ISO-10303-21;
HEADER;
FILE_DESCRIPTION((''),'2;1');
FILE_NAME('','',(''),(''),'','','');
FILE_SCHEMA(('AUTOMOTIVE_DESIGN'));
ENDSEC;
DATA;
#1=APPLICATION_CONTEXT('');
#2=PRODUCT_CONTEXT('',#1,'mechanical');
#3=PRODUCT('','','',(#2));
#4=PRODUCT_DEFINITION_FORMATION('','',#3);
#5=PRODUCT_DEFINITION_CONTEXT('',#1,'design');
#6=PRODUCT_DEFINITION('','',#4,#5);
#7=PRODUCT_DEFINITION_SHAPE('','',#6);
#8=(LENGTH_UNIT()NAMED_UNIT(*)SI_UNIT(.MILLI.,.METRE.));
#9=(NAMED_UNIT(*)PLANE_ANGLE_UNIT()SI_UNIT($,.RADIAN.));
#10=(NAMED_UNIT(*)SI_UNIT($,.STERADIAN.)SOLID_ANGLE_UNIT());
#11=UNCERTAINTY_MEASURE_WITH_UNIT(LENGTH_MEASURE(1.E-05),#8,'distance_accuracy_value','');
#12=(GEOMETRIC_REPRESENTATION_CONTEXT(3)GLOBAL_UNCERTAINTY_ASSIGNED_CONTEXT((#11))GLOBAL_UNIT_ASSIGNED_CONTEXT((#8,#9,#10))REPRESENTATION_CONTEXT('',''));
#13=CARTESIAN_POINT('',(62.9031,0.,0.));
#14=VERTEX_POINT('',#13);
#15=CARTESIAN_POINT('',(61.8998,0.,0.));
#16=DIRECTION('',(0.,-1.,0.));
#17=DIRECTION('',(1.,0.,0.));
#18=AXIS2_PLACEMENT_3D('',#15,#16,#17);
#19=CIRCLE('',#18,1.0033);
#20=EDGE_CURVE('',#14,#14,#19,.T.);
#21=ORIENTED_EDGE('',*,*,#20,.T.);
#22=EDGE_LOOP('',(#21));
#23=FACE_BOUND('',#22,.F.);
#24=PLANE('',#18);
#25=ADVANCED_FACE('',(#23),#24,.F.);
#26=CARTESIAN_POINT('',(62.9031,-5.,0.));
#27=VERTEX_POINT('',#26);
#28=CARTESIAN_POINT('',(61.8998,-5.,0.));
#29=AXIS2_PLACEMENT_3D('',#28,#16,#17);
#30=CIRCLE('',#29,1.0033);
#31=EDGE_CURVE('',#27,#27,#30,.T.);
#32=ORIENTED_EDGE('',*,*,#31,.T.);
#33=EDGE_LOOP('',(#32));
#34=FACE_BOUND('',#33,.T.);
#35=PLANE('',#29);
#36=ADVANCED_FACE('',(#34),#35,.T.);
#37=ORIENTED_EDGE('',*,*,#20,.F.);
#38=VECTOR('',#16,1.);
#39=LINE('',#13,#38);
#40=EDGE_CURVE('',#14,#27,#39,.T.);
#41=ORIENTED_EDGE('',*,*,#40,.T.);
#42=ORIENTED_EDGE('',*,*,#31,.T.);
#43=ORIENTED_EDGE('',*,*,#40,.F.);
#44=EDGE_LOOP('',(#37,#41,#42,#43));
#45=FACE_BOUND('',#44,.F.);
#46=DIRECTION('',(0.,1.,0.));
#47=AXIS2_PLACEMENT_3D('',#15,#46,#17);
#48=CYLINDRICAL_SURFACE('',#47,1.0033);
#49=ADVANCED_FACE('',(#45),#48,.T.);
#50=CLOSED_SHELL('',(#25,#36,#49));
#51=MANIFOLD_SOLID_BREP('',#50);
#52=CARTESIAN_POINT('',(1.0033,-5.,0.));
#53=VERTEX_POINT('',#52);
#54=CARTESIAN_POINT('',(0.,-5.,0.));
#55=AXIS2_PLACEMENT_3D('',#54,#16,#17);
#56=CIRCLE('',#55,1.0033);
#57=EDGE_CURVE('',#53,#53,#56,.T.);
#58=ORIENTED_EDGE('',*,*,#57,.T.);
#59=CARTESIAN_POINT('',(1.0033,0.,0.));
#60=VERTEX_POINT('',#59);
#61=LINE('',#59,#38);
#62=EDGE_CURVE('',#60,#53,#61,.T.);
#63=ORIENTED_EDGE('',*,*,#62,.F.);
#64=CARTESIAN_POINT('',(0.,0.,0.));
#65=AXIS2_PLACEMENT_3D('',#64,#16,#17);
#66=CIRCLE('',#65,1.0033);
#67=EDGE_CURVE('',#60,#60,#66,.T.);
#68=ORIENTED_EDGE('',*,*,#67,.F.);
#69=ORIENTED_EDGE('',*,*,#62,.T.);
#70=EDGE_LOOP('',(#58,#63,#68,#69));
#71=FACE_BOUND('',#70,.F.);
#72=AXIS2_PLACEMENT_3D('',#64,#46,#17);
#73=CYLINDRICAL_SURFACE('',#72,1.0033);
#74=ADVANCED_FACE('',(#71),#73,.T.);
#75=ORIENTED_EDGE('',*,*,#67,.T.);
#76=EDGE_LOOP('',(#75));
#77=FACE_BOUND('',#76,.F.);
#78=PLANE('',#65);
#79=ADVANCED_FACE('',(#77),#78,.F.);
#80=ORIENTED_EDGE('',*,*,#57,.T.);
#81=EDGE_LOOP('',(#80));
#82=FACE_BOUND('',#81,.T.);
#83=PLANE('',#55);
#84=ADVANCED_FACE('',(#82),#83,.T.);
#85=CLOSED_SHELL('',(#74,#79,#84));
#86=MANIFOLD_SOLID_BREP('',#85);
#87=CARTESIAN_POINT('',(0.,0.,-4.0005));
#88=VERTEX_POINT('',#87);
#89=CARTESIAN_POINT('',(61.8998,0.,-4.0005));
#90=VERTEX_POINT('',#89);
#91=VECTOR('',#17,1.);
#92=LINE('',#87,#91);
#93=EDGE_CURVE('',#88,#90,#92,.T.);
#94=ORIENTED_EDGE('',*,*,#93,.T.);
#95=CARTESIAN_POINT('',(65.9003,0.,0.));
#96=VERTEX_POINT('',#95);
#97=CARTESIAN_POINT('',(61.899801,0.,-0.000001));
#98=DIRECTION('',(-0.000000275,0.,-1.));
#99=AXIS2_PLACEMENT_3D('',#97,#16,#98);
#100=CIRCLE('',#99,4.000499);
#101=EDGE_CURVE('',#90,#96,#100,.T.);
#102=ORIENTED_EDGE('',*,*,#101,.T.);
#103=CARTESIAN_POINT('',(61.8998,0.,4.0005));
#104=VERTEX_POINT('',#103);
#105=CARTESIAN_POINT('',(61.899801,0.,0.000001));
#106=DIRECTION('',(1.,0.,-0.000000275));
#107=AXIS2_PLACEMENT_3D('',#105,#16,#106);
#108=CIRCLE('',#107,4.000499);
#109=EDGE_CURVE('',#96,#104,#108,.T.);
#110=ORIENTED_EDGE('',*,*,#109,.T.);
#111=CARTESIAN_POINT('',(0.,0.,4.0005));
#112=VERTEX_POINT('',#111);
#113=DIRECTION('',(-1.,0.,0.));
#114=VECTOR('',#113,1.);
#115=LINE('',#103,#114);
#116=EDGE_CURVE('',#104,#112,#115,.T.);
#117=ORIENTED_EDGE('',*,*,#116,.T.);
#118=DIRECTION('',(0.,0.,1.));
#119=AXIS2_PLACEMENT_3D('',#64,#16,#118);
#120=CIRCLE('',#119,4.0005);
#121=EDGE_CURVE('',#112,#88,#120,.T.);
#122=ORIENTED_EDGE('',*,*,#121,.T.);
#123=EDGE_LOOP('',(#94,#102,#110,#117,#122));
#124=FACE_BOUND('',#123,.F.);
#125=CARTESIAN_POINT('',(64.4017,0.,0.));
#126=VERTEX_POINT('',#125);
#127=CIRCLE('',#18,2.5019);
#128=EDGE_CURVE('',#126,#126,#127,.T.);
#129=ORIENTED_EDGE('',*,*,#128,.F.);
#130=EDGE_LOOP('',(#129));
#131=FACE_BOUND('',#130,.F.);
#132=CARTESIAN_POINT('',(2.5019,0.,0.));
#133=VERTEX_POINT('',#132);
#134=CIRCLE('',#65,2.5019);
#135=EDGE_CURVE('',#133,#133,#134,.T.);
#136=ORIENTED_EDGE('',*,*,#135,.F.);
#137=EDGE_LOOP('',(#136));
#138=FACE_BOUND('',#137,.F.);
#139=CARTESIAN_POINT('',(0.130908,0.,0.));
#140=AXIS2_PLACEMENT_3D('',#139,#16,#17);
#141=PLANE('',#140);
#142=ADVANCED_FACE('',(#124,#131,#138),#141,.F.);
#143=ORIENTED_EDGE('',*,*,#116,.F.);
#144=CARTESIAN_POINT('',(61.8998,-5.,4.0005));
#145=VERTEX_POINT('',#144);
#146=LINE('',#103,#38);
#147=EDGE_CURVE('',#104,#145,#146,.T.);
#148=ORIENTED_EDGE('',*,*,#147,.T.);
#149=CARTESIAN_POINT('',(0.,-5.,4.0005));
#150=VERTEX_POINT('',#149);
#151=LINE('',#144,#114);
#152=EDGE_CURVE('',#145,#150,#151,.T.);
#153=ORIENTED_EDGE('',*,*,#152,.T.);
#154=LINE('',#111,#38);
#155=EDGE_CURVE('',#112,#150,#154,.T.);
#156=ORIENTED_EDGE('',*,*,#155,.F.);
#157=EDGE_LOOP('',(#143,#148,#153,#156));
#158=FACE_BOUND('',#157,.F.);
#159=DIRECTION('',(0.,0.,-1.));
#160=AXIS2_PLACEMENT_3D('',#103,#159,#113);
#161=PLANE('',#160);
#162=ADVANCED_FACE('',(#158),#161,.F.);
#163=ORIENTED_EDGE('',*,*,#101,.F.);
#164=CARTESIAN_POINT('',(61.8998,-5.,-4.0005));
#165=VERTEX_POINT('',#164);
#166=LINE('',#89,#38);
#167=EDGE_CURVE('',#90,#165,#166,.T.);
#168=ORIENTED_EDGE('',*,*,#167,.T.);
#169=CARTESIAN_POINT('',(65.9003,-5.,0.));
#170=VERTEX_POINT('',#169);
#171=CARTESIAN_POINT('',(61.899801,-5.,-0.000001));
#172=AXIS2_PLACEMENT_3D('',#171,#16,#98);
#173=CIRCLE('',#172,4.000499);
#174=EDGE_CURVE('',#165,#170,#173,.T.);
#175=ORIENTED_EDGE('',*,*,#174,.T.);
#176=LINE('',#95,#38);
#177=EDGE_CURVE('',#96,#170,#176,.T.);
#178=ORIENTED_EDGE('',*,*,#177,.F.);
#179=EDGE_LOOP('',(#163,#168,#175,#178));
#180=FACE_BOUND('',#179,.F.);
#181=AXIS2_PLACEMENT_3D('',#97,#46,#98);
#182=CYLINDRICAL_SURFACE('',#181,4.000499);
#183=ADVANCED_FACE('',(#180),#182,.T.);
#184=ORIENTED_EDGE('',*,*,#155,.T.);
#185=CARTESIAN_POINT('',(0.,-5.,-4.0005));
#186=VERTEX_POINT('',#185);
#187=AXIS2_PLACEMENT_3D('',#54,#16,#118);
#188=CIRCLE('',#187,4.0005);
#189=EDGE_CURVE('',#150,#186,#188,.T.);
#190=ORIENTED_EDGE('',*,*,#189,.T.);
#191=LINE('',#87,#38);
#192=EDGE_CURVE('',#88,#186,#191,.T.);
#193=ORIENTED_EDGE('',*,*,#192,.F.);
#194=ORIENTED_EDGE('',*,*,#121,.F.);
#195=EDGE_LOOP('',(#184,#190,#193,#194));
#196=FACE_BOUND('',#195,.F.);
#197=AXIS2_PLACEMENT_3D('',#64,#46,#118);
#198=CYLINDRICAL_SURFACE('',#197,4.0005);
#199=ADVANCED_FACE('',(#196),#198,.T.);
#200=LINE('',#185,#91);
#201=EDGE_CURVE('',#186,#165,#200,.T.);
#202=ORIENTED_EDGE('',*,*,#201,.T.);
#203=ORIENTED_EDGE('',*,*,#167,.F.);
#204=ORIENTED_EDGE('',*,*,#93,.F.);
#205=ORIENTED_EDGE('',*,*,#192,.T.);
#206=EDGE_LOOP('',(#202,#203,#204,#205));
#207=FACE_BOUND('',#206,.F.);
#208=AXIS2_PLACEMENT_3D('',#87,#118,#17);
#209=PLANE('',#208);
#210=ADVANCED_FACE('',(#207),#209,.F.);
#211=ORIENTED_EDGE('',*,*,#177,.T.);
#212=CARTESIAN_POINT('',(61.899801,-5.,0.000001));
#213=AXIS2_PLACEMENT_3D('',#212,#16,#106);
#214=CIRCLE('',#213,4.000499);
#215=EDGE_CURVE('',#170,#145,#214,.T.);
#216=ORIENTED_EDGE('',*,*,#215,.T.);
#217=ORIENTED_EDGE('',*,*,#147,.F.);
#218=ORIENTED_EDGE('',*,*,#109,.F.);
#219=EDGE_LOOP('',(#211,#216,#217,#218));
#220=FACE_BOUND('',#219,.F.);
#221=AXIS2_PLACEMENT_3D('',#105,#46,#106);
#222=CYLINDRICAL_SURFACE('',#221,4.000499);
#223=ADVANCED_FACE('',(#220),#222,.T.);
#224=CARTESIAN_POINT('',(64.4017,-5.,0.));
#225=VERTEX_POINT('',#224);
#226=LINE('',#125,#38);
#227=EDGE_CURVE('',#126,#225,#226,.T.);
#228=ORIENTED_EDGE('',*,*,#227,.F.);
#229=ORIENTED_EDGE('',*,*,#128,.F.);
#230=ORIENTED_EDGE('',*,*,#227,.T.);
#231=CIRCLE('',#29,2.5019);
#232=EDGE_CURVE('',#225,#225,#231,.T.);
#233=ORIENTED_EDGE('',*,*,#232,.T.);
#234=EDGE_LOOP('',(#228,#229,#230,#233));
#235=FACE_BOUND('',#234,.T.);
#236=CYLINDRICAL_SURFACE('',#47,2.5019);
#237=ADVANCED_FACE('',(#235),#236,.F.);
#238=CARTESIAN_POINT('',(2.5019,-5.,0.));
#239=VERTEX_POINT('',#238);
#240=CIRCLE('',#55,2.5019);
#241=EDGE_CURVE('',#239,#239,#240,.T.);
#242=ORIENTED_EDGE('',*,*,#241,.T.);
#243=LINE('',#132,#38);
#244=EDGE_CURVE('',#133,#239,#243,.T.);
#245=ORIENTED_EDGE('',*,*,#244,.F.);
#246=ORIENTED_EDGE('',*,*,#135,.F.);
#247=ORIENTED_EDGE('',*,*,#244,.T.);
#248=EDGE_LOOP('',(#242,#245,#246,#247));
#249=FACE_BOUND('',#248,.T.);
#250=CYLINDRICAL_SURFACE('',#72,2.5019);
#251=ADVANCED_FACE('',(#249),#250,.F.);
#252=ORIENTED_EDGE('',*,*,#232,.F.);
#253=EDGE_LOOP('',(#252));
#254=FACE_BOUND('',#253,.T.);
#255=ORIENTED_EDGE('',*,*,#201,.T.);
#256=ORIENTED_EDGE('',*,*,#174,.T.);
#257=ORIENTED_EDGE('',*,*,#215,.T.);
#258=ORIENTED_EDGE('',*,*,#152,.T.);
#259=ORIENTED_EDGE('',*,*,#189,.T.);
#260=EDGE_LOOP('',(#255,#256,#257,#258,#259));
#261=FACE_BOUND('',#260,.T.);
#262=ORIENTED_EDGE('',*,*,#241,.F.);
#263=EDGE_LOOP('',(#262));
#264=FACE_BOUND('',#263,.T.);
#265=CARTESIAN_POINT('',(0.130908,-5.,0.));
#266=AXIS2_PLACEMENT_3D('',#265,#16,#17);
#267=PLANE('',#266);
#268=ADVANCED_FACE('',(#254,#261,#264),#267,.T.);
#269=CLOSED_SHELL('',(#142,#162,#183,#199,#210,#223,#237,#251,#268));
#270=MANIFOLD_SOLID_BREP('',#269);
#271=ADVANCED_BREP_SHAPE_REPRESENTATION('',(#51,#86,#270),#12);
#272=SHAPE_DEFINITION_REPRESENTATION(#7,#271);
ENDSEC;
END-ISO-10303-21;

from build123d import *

# Parameters (mm, degrees)
F0_R     = 2.5019
F0_R_2   = 1.0033
F1_DEPTH = 5


with BuildPart() as f1:
    # F0 (on Front) → F1 (new body)
    with BuildSketch(Plane.XZ):
        with BuildLine():
            ThreePointArc((0, -4.0005), (2.828781, -2.828781), (4.0005, 0))
            ThreePointArc((4.0005, 0), (2.828781, 2.828781), (0, 4.0005))
            ThreePointArc((0, 4.0005), (-4.0005, 0), (0, -4.0005))
        make_face()
        Circle(F0_R, mode=Mode.SUBTRACT)
        with BuildLine():
            ThreePointArc((0, 4.0005), (2.828781, 2.828781), (4.0005, 0))
            ThreePointArc((4.0005, 0), (2.828781, -2.828781), (0, -4.0005))
            Line((0, -4.0005), (61.8998, -4.0005))
            ThreePointArc((61.8998, -4.0005), (57.8993, 0), (61.8998, 4.0005))
            Line((61.8998, 4.0005), (0, 4.0005))
        make_face()
        with BuildLine():
            ThreePointArc((65.9003, 0), (64.728581, 2.828781), (61.8998, 4.0005))
            ThreePointArc((61.8998, 4.0005), (57.8993, 0), (61.8998, -4.0005))
            ThreePointArc((61.8998, -4.0005), (64.728581, -2.828781), (65.9003, 0))
        make_face()
        with Locations((61.8998, 0)):
            Circle(F0_R, mode=Mode.SUBTRACT)
        Circle(F0_R_2)
        with Locations((61.8998, 0)):
            Circle(F0_R_2)
    extrude(amount=F1_DEPTH)


solid = f1.part
